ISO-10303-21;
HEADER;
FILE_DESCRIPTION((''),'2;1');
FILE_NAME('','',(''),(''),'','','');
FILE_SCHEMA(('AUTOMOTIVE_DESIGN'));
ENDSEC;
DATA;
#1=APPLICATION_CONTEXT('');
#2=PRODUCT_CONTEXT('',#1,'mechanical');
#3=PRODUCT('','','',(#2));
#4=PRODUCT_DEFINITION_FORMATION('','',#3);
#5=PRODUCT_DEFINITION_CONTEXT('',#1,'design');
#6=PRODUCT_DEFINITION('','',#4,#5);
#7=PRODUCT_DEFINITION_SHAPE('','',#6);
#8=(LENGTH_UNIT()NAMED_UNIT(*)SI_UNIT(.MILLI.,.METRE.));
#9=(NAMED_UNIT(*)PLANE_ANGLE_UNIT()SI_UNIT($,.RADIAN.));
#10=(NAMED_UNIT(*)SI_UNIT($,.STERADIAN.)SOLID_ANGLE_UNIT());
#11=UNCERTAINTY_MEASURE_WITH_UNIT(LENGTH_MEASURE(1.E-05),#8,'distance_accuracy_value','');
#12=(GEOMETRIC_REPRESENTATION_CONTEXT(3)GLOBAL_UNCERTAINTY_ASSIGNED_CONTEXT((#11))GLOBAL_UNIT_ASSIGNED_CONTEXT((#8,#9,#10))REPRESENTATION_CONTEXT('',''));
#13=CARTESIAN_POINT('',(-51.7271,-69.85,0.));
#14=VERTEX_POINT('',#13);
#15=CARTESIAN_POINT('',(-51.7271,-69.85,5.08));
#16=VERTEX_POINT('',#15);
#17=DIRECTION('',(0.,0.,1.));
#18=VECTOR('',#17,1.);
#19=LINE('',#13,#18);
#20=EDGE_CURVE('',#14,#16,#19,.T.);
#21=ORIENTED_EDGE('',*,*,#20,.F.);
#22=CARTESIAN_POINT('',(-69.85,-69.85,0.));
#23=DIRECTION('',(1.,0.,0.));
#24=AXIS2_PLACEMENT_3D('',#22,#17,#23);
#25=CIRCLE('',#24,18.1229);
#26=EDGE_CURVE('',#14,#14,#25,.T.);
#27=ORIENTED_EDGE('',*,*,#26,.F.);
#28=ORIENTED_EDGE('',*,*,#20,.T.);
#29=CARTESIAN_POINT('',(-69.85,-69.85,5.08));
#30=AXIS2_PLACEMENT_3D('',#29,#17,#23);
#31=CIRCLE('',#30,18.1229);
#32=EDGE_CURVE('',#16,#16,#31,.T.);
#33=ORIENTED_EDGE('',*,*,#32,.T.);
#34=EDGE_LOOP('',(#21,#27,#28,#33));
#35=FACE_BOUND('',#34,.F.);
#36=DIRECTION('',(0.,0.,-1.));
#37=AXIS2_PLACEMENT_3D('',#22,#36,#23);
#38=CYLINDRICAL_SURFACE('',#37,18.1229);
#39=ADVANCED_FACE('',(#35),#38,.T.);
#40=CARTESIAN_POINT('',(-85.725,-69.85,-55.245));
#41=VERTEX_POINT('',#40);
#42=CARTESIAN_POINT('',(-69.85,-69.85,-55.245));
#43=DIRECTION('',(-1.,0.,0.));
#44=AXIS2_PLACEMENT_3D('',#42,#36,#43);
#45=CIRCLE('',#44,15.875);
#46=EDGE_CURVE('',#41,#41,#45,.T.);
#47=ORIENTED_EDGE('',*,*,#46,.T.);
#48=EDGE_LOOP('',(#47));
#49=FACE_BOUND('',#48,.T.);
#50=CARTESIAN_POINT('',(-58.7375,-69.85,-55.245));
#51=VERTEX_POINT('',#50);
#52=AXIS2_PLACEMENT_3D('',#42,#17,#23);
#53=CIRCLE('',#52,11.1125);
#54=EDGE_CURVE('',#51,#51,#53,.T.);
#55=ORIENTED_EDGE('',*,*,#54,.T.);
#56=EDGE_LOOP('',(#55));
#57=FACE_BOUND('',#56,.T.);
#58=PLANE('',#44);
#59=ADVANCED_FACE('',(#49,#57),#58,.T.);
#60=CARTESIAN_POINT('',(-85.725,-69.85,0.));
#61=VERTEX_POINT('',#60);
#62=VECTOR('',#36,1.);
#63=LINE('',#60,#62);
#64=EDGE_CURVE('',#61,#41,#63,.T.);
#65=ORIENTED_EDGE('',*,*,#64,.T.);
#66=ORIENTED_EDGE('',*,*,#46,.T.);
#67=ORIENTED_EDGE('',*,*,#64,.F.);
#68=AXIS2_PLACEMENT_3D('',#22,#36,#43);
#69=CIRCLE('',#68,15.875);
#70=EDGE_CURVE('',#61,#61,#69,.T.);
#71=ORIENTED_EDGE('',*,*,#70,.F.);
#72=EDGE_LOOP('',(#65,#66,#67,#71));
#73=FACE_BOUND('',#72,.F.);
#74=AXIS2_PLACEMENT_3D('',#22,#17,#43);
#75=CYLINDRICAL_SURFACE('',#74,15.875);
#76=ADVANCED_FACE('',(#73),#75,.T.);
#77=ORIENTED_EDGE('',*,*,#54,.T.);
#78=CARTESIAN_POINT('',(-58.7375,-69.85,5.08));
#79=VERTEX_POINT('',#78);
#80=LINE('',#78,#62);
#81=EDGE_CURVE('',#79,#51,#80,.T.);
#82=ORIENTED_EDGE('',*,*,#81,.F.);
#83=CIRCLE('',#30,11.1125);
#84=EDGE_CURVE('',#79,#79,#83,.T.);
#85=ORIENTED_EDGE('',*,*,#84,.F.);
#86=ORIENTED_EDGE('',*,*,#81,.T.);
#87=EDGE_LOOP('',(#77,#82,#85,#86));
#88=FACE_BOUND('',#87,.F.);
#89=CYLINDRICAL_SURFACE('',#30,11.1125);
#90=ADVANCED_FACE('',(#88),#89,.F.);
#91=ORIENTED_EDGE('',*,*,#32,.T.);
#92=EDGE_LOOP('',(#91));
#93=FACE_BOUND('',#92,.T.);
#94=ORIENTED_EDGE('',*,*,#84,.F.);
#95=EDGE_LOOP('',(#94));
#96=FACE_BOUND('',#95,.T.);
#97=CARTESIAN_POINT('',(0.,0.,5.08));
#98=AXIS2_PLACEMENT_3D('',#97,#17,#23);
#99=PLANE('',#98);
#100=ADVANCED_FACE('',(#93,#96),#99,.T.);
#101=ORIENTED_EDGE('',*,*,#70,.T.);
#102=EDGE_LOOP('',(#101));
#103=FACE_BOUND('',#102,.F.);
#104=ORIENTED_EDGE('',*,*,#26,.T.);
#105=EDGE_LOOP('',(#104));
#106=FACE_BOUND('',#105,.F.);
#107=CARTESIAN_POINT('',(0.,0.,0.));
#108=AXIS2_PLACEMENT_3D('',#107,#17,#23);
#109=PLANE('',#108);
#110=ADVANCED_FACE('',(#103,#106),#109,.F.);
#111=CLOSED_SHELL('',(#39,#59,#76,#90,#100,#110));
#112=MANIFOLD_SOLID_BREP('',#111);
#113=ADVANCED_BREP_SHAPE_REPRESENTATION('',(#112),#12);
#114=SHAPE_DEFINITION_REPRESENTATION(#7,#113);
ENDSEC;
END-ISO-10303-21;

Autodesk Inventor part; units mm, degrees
ref_plane "YZ Plane" through (0, 0, 0) normal (1, 0, 0) x (0, 1, 0)
ref_plane "XZ Plane" through (0, 0, 0) normal (0, 1, 0) x (-1, 0, 0)
ref_plane "XY Plane" through (0, 0, 0) normal (0, 0, 1) x (1, 0, 0)
sketch "Sketch1" plane through (0, 0, 0) normal (0, 0, 1) x (1, 0, 0)
  circle A0 centre (-69.85, -69.85) radius 15.875 projected
  circle A1 centre (-69.85, -69.85) radius 18.1229
  dimension "d0" = 36.2458
extrude "Extrusion1" add sketch "Sketch1" along normal blind 5.08 contours A0 | A1
sketch "Sketch2" plane through (-69.85, -69.85, 0) normal (0, 0, -1) x (-1, 0, 0)
  circle A0 centre (0, 0) radius 18.1229 projected
  circle A1 centre (0, 0) radius 15.875
  dimension "d3" = 31.75
extrude "Extrusion2" add sketch "Sketch2" along normal blind 55.245 contours A1
sketch "Sketch3" plane through (-69.85, -69.85, 5.08) normal (0, 0, 1) x (1, 0, 0)
  circle A0 centre (0, 0) radius 18.1229 projected
  circle A1 centre (0, 0) radius 11.1125
  dimension "d6" = 22.225
extrude "Extrusion3" cut sketch "Sketch3" against normal through all contours A1
properties part number "Bush bottomplate2"
